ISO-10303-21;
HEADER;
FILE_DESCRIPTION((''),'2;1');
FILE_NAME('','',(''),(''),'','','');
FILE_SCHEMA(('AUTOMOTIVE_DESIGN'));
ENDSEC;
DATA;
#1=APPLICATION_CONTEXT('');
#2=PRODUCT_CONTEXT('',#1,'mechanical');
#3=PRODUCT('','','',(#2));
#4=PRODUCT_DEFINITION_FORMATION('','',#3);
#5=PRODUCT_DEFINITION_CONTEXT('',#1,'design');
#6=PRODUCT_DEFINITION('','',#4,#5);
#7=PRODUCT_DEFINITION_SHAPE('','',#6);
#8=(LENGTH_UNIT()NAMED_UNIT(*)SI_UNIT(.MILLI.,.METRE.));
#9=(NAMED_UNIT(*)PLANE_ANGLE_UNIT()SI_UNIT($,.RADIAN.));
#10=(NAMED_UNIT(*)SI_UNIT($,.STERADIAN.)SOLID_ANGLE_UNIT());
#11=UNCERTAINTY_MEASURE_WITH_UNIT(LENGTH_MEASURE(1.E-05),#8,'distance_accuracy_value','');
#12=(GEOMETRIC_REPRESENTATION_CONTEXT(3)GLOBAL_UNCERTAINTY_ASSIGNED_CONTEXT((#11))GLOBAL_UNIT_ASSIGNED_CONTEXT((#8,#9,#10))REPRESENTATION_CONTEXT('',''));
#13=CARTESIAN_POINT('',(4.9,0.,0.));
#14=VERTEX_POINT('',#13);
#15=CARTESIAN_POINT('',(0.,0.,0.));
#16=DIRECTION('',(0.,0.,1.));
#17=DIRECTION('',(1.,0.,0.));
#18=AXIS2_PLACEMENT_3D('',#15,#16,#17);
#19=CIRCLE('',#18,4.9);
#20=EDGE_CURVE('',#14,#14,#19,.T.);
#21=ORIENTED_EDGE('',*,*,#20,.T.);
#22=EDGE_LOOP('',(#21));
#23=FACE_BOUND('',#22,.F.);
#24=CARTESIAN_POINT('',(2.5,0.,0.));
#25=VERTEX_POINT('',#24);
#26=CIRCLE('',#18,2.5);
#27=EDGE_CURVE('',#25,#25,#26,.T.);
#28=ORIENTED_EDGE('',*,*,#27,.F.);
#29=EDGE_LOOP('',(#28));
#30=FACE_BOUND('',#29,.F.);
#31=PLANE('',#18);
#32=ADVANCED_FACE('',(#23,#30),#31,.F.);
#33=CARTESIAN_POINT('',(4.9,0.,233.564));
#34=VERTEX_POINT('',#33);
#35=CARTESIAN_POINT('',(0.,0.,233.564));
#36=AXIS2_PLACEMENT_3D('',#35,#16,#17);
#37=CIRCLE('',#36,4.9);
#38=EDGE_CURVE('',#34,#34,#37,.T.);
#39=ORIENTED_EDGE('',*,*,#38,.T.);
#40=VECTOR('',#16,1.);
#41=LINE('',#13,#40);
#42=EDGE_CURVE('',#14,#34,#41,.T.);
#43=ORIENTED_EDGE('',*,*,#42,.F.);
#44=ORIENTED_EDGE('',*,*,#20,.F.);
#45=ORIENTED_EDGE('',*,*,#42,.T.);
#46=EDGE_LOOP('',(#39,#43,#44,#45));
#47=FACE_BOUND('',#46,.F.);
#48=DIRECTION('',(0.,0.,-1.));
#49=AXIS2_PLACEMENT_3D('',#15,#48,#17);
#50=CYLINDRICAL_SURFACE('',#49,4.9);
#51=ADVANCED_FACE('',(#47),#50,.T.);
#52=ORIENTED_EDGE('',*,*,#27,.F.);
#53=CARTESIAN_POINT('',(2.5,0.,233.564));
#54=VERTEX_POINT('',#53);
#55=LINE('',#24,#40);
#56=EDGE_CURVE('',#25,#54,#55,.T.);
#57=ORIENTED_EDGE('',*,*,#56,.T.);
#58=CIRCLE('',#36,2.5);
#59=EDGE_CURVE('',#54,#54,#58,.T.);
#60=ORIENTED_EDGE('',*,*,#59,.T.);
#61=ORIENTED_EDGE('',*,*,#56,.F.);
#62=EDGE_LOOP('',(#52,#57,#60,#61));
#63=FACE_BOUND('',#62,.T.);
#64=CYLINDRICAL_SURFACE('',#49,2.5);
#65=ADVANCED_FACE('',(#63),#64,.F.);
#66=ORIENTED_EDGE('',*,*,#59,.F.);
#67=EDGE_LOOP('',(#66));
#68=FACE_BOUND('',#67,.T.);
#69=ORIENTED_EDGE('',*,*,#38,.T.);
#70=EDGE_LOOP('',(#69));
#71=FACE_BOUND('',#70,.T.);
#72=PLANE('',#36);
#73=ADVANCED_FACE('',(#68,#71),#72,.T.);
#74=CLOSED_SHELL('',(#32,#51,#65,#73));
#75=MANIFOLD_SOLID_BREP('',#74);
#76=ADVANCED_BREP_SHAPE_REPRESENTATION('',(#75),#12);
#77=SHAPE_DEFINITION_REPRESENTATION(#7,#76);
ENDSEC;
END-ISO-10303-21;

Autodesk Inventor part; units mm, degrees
ref_plane "YZ Plane" through (0, 0, 0) normal (1, 0, 0) x (0, 1, 0)
ref_plane "XZ Plane" through (0, 0, 0) normal (0, 1, 0) x (-1, 0, 0)
sketch "Sketch1" plane through (0, 0, 0) normal (0, 0, 1) x (1, 0, 0)
  circle A0 centre (0, 0) radius 2.5 projected
  circle A1 centre (0, 0) radius 4.9
  point P0 (0, 0)
  dimension "d0" = 9.8
ref_plane "Work Plane1" through (-33.85, -16.15, 180) normal (0, 0, -1) x (0, 1, 0)
extrude "Extrusion1" add sketch "Sketch1" along normal blind 233.564
thread "Thread1" size "M10x1.5" class "6g" standard "ANSI Metric M Profile" full length
properties part number "RodMK4" material "Stainless Steel"
